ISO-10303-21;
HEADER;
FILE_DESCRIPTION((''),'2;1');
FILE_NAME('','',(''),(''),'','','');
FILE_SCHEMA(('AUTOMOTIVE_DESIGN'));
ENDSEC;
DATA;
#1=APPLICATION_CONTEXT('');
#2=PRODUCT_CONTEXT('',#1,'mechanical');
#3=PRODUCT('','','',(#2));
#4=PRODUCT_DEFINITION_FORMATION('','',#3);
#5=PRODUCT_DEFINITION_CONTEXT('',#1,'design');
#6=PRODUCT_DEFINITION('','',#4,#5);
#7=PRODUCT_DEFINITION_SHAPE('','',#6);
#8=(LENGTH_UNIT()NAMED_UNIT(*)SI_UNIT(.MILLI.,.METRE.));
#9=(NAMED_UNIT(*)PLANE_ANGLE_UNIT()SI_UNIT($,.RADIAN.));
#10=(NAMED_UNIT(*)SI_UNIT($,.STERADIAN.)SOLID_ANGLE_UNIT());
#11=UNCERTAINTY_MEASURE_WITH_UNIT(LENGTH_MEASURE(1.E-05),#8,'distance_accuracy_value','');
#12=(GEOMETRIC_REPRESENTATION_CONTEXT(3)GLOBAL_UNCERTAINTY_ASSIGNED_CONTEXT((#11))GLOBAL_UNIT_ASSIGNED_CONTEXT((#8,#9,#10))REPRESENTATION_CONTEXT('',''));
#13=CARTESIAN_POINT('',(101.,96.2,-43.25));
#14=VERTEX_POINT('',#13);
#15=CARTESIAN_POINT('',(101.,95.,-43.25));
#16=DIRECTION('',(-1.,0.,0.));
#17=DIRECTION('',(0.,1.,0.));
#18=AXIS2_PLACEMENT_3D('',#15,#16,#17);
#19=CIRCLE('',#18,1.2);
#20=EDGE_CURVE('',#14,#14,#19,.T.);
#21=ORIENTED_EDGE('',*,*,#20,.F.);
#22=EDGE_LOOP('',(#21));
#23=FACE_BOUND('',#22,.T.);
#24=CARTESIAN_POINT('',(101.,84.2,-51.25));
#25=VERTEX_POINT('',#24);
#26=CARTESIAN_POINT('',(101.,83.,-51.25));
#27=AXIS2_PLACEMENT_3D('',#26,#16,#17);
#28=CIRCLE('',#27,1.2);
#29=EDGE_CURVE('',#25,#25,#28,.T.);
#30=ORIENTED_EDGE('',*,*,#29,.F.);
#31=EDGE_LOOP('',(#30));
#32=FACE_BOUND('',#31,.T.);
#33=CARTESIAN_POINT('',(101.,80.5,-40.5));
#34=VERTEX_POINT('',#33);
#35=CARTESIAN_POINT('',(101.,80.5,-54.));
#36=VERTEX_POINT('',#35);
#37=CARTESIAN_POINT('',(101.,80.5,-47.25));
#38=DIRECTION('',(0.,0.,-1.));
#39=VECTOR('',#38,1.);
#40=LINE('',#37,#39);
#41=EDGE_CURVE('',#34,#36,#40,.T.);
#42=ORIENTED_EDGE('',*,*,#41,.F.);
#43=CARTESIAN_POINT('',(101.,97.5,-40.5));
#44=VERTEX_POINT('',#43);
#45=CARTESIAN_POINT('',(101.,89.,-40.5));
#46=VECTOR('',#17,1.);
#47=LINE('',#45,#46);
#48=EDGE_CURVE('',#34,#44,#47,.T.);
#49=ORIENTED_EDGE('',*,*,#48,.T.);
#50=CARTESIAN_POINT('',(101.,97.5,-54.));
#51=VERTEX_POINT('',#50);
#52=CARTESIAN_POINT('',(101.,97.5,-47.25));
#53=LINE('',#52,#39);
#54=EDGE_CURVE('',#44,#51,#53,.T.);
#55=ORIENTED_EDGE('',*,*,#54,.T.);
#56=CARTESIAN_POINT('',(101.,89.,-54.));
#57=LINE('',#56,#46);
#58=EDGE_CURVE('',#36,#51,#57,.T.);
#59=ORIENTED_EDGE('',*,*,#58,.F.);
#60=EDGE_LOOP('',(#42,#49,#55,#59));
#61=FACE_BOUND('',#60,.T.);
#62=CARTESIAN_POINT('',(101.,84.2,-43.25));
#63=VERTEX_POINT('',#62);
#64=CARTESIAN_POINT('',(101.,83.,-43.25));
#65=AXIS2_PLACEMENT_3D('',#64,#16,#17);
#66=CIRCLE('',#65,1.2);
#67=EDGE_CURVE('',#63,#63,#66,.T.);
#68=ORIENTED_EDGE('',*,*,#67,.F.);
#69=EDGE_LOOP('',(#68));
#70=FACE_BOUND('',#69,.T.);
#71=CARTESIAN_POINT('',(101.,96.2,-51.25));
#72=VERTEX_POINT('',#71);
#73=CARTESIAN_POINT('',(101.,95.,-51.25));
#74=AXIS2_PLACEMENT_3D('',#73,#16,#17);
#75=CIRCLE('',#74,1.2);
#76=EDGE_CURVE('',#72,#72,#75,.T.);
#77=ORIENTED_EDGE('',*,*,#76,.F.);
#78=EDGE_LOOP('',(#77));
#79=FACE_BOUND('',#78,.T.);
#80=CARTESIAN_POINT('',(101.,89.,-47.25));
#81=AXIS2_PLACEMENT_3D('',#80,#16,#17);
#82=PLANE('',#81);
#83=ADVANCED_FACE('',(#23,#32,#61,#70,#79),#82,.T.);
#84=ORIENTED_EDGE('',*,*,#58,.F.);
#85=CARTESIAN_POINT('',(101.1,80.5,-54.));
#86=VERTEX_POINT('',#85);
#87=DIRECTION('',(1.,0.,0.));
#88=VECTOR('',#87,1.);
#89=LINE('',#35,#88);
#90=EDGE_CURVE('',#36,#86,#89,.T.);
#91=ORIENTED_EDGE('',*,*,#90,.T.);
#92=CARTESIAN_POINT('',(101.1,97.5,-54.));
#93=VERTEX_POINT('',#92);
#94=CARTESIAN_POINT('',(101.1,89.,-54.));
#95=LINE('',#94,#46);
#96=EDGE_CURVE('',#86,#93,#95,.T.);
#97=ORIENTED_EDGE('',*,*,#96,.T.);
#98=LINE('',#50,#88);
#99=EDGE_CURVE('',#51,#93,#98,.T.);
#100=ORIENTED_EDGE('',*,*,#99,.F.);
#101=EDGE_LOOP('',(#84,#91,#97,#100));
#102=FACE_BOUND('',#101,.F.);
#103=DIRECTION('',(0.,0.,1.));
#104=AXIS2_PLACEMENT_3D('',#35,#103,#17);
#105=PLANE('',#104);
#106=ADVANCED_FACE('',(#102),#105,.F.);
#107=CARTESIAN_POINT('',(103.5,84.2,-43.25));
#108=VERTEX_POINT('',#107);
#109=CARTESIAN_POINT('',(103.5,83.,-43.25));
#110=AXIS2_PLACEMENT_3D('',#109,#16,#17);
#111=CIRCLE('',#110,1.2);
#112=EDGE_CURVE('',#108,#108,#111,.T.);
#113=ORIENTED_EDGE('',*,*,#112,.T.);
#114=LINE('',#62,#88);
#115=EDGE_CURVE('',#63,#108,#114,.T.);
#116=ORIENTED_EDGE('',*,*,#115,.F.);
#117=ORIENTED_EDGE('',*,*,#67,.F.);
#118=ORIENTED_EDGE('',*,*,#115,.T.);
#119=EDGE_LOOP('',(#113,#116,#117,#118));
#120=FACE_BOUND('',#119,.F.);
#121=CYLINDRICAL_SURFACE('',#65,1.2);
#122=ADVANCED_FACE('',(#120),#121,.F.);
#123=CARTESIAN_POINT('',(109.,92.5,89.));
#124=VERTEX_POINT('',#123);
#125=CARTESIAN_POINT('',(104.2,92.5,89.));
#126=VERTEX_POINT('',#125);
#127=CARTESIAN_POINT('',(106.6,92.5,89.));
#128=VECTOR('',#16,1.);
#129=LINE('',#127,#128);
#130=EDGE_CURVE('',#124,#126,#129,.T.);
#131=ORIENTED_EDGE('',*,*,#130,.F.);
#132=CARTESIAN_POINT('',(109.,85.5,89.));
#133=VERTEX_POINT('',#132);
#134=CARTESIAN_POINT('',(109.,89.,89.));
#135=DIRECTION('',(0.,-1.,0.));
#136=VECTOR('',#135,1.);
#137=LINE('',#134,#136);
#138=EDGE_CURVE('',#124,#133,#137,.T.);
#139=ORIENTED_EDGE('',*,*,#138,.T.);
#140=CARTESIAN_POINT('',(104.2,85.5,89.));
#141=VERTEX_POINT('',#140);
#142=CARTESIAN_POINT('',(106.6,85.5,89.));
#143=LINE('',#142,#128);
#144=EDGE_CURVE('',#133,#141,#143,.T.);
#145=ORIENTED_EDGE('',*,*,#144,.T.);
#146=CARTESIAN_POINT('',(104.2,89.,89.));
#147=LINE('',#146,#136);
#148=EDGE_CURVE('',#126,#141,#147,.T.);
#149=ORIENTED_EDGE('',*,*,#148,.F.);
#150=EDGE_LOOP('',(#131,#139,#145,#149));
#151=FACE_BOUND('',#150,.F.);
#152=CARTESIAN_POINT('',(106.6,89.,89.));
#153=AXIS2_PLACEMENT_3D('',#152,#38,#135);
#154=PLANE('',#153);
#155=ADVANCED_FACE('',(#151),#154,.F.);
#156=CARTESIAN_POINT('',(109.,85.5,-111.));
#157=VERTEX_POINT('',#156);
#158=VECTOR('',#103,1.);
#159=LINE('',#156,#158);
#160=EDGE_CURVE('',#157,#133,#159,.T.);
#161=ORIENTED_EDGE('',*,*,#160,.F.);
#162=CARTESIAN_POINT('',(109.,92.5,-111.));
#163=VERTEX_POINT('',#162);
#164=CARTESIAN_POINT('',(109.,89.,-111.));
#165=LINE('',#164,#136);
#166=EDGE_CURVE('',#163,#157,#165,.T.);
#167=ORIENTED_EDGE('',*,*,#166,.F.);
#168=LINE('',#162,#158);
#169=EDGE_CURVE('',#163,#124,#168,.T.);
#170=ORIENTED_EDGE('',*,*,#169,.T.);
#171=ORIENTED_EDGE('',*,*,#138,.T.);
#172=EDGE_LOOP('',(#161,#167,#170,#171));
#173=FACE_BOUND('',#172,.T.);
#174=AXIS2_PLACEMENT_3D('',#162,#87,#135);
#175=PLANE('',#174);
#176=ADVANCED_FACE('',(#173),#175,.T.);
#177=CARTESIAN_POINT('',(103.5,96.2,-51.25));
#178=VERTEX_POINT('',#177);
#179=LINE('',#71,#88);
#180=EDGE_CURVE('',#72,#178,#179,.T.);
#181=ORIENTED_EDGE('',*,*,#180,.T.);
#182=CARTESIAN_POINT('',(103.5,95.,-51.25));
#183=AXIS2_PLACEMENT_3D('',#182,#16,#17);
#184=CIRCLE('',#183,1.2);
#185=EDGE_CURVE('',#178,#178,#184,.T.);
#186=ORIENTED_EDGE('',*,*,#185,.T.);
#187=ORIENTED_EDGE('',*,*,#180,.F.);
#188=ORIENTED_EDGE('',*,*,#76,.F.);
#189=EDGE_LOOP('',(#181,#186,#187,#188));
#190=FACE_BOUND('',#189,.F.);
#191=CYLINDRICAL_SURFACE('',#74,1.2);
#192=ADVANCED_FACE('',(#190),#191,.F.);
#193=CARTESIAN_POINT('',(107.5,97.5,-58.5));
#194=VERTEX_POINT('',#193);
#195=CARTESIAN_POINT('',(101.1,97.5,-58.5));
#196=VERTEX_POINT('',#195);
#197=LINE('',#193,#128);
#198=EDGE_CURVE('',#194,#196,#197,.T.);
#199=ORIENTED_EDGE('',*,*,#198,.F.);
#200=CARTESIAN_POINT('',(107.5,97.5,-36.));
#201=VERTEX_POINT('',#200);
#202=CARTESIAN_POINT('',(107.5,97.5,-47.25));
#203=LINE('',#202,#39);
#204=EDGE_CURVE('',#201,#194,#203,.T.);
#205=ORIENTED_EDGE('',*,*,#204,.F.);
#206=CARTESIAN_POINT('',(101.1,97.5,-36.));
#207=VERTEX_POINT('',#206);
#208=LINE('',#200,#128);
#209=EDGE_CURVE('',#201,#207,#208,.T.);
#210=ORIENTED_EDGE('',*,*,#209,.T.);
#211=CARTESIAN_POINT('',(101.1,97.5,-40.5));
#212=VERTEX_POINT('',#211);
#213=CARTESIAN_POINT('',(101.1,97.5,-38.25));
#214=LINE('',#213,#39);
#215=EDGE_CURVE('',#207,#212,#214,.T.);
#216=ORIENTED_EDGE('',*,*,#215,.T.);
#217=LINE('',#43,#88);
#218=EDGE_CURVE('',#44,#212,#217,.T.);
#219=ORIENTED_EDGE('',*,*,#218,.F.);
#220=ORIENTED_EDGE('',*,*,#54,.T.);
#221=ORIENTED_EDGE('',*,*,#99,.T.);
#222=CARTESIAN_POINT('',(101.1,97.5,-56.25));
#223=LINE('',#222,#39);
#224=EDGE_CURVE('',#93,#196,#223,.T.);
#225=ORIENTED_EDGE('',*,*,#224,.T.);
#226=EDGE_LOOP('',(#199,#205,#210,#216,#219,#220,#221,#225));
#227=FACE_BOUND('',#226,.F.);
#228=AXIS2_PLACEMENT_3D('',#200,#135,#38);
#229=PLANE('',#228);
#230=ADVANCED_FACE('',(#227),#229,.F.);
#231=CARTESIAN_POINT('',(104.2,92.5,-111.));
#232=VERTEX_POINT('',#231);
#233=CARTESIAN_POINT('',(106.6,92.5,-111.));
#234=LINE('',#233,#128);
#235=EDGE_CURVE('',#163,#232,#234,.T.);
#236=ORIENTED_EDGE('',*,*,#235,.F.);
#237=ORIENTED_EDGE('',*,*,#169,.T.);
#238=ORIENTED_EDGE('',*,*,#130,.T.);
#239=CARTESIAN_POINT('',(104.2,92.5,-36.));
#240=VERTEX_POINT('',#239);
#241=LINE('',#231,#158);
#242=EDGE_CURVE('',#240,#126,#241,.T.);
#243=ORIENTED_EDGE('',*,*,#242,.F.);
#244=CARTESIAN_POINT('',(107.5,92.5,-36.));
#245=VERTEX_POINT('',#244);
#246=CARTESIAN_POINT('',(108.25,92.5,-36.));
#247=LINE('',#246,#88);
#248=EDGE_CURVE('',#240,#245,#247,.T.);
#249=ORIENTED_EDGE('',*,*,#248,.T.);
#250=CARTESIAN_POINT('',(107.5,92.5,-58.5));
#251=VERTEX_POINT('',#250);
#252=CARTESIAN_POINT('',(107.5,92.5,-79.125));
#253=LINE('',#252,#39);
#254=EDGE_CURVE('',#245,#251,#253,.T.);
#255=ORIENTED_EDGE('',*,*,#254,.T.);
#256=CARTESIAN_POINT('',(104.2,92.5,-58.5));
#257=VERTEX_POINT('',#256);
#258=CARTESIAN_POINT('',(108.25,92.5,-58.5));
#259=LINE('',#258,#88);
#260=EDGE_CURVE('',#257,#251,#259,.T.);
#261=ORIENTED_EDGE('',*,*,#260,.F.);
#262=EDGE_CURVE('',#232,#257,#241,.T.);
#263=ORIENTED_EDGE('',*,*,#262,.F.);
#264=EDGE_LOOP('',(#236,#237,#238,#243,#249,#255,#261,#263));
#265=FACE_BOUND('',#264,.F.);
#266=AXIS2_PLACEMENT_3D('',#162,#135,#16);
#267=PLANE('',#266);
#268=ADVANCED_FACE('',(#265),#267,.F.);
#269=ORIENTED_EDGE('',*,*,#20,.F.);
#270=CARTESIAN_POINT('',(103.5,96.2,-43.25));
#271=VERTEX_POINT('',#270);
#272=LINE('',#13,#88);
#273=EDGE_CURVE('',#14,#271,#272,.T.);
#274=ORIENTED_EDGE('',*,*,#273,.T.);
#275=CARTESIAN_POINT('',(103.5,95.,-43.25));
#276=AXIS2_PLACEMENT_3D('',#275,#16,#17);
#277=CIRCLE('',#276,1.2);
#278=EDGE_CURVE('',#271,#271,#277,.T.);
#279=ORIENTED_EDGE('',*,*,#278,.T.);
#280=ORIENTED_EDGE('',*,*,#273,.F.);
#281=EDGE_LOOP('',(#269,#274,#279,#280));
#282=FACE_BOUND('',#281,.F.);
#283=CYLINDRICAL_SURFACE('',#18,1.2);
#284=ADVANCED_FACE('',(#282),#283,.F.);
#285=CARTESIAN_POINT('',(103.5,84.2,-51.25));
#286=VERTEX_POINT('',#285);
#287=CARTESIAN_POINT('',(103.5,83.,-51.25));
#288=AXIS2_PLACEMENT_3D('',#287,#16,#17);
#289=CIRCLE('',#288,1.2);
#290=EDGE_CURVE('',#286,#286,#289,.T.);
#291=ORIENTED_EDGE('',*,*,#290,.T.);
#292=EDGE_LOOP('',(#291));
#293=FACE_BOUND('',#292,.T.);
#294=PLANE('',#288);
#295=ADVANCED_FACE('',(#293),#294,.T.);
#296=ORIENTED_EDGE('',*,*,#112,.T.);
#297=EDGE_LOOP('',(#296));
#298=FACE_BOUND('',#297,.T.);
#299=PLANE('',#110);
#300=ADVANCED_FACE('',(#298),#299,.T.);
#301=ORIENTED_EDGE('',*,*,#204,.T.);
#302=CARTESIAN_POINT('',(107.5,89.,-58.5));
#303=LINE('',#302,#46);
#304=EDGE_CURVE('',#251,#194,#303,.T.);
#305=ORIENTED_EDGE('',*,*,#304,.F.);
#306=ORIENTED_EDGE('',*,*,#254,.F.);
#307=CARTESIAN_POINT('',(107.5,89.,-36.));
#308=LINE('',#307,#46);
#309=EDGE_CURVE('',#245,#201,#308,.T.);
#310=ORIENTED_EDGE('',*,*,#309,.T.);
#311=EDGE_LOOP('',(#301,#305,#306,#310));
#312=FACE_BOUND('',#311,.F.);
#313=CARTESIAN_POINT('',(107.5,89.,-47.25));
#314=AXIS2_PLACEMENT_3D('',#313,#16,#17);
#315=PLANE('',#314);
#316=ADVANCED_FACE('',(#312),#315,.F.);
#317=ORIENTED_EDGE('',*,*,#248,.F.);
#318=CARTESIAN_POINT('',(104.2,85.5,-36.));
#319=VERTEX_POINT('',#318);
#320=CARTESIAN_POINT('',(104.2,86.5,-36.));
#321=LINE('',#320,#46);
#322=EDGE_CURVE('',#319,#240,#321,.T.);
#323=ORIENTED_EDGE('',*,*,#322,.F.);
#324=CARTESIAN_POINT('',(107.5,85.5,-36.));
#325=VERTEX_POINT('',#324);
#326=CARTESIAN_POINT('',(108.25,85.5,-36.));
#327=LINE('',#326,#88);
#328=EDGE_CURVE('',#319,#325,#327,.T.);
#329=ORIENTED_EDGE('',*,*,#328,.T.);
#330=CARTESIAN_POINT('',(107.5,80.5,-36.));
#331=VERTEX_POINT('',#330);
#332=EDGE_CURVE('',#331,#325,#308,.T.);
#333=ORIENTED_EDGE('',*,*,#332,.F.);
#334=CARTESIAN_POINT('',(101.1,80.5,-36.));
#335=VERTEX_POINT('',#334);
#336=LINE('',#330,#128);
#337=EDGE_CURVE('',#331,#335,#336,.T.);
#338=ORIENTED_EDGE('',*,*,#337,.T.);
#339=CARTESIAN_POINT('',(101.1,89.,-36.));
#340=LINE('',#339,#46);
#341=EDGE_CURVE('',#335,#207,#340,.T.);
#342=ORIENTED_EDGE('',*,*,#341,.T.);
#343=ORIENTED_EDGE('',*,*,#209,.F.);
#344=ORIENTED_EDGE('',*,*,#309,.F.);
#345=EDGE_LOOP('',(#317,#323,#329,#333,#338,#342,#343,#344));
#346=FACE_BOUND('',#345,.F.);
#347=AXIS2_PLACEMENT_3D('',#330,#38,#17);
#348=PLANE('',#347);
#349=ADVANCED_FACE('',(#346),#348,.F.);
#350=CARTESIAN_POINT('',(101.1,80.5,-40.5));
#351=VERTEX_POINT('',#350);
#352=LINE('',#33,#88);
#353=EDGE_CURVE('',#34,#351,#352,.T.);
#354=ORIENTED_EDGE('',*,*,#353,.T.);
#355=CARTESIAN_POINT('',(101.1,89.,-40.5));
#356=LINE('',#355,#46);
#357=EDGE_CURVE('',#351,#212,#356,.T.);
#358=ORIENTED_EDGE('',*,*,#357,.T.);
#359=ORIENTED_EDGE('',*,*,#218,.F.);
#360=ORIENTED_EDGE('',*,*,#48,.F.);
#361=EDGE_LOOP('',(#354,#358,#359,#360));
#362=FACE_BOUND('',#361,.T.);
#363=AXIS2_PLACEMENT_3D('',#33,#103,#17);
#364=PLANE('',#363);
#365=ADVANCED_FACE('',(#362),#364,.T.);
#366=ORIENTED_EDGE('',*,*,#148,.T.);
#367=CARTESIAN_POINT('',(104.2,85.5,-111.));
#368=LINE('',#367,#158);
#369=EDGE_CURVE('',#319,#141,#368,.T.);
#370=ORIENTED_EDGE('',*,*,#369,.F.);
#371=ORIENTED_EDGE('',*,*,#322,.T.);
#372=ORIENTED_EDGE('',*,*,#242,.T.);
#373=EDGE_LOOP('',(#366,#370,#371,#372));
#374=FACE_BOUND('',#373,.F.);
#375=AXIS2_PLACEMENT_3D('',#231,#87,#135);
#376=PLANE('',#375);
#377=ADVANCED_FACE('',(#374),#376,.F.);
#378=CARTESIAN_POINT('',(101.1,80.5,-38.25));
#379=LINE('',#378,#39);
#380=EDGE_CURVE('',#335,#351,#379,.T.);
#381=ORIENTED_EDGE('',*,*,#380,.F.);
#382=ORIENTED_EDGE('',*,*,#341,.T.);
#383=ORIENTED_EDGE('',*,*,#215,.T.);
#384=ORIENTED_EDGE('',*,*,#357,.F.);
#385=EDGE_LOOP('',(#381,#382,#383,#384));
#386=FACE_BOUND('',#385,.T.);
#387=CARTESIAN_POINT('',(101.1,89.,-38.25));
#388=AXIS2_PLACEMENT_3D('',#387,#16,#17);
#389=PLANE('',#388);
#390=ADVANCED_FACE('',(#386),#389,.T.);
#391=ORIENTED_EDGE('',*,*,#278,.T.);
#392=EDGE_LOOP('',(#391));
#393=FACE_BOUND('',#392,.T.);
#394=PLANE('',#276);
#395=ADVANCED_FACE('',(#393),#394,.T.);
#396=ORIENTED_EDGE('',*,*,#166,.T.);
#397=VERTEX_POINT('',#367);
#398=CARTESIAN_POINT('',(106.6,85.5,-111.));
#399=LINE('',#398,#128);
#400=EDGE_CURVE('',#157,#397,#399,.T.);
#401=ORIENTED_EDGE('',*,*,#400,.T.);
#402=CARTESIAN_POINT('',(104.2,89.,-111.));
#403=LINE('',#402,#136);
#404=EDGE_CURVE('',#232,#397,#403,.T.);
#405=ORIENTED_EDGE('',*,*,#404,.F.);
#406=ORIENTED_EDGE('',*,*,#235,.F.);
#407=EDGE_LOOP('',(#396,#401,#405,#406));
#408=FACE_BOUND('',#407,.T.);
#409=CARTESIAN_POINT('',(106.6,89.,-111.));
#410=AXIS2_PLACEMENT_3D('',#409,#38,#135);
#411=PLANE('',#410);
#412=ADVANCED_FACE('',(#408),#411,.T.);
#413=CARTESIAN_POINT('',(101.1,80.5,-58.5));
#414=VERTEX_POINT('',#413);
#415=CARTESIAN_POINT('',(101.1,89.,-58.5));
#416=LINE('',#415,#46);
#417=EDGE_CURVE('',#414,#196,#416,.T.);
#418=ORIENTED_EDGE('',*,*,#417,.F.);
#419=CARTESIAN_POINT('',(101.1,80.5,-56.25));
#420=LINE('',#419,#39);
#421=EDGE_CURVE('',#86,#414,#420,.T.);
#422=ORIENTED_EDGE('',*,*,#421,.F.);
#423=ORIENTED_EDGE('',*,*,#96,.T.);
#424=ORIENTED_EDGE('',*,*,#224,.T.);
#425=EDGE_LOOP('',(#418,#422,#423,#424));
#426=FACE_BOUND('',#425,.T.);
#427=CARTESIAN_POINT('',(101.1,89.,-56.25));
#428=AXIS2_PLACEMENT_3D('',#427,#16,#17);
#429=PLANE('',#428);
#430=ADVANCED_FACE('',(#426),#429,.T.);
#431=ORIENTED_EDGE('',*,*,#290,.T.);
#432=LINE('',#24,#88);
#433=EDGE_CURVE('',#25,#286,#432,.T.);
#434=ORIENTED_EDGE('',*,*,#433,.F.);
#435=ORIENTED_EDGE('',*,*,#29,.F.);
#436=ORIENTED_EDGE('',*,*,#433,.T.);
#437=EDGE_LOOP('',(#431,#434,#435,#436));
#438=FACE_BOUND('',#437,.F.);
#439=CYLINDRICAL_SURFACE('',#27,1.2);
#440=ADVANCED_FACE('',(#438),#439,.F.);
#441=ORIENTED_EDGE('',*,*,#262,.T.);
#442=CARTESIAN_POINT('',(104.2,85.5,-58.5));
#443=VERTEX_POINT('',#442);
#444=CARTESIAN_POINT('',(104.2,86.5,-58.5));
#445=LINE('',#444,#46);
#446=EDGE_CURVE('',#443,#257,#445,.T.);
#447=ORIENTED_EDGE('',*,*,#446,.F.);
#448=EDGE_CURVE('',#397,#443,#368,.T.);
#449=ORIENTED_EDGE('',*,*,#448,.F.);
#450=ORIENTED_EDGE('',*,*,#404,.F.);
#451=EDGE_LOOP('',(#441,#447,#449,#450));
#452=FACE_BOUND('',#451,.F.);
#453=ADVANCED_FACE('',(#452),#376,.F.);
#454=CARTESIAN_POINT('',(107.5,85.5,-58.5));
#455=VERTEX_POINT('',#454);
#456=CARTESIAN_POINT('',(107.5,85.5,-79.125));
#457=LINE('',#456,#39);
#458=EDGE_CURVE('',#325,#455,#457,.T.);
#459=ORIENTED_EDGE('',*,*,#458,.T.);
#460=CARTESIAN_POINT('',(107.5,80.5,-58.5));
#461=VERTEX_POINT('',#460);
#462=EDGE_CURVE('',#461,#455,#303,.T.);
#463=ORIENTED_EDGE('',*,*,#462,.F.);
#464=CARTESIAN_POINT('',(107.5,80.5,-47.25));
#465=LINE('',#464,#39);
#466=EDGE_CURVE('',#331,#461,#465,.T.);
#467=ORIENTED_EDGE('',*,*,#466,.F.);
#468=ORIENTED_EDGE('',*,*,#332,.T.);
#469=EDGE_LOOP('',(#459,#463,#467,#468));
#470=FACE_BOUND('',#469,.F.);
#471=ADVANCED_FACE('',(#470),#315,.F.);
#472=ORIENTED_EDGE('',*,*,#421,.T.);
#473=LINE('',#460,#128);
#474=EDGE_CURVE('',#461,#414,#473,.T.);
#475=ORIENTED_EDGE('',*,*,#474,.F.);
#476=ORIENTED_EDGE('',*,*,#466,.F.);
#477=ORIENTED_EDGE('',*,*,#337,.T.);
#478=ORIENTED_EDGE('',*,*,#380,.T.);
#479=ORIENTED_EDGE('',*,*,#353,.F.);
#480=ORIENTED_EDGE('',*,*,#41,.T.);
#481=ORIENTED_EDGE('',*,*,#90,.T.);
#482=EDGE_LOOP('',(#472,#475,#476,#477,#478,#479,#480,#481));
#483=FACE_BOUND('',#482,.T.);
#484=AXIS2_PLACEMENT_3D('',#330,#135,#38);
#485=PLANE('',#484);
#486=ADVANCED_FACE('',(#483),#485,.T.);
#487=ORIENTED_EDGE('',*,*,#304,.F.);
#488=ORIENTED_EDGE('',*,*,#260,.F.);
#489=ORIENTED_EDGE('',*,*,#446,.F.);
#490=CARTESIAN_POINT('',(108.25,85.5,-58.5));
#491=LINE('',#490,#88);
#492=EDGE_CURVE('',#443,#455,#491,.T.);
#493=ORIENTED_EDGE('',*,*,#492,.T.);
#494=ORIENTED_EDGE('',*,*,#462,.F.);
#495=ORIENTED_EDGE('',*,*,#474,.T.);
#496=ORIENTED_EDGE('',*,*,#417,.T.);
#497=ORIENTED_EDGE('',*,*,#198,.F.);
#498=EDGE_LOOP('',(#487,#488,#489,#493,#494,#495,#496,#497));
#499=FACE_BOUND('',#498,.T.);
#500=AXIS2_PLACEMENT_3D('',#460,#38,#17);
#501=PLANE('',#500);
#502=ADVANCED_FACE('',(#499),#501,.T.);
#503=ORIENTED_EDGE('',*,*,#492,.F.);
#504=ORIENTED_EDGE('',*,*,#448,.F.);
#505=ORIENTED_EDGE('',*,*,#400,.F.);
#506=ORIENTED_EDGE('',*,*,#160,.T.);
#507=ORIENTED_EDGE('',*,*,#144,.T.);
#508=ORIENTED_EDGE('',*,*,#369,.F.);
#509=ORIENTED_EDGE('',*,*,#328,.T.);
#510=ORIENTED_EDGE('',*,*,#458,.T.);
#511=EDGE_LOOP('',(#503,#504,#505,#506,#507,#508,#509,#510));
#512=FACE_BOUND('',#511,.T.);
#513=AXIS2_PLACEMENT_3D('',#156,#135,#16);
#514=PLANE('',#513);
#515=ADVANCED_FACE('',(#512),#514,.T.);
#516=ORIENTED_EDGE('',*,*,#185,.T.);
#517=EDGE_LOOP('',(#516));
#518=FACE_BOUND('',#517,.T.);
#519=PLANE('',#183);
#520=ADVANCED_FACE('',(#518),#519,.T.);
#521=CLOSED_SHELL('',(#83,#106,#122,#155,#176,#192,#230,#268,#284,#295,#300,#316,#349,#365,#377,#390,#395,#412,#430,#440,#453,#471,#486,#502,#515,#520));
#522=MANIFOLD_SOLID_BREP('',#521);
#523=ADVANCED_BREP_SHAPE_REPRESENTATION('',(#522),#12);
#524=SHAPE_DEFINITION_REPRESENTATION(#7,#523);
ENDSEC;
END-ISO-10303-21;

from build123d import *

# Parameters (mm, degrees)
SKETCH039_W             = 7
SKETCH039_H             = 4.8
PAD017_DEPTH            = 200
SKETCH038_W             = 17
SKETCH038_H             = 22.5
PAD018_DEPTH            = 6.5
SKETCH041_W             = 17
SKETCH041_H             = 4.5
POCKET021_DEPTH         = 0.1
SKETCH040_R             = 1.2
POCKET022_DEPTH         = 2.5
BODY009_ROLL_ANGLE      = 90
BODY009_PLACEMENT_ANGLE = -90


with BuildPart() as part:
    # Sketch039 → Pad017 (new body)
    with BuildSketch(Plane.XZ):
        with Locations((3.5, 2.4)):
            Rectangle(SKETCH039_W, SKETCH039_H)
    extrude(amount=-PAD017_DEPTH)

    # Sketch038 (on Face1 of Pad017) → Pad018 (join)
    with BuildSketch(Plane(origin=(0, 0, 1.5), x_dir=(-1, 0, 0), z_dir=(0, 0, 1))):
        with Locations((-3.5, -63.75)):
            Rectangle(SKETCH038_W, SKETCH038_H)
    extrude(amount=PAD018_DEPTH)

    # Sketch041 (on Face13 of Pad018) → Pocket021 (cut)
    with BuildSketch(Plane(origin=(0, 0, 8), x_dir=(-1, 0, 0), z_dir=(0, 0, 1))):
        with Locations((-3.5, -54.75)):
            Rectangle(SKETCH041_W, SKETCH041_H)
        with Locations((-3.5, -72.75)):
            Rectangle(SKETCH041_W, SKETCH041_H)
    extrude(amount=-POCKET021_DEPTH, mode=Mode.SUBTRACT)

    # Sketch040 (on Face17 of Pocket021) → Pocket022 (cut)
    with BuildSketch(Plane(origin=(0, 0, 8), x_dir=(-1, 0, 0), z_dir=(0, 0, 1))):
        with Locations((-9.5, -59.75)):
            Circle(SKETCH040_R)
        with Locations((2.5, -59.75)):
            Circle(SKETCH040_R)
        with Locations((2.5, -67.75)):
            Circle(SKETCH040_R)
        with Locations((-9.5, -67.75)):
            Circle(SKETCH040_R)
    extrude(amount=-POCKET022_DEPTH, mode=Mode.SUBTRACT)


with BuildPart() as part_1:
    # Body009 roll: moved
    add(part.part.rotate(Axis((0, 0, 0), (1, 0, 0)), BODY009_ROLL_ANGLE))


with BuildPart() as part_2:
    # Body009 placement: moved
    add(part_1.part.moved(Location((109, 92.5, -111))).rotate(Axis((109, 92.5, -111), (0, 0, 1)), BODY009_PLACEMENT_ANGLE))


solid = part_2.part
